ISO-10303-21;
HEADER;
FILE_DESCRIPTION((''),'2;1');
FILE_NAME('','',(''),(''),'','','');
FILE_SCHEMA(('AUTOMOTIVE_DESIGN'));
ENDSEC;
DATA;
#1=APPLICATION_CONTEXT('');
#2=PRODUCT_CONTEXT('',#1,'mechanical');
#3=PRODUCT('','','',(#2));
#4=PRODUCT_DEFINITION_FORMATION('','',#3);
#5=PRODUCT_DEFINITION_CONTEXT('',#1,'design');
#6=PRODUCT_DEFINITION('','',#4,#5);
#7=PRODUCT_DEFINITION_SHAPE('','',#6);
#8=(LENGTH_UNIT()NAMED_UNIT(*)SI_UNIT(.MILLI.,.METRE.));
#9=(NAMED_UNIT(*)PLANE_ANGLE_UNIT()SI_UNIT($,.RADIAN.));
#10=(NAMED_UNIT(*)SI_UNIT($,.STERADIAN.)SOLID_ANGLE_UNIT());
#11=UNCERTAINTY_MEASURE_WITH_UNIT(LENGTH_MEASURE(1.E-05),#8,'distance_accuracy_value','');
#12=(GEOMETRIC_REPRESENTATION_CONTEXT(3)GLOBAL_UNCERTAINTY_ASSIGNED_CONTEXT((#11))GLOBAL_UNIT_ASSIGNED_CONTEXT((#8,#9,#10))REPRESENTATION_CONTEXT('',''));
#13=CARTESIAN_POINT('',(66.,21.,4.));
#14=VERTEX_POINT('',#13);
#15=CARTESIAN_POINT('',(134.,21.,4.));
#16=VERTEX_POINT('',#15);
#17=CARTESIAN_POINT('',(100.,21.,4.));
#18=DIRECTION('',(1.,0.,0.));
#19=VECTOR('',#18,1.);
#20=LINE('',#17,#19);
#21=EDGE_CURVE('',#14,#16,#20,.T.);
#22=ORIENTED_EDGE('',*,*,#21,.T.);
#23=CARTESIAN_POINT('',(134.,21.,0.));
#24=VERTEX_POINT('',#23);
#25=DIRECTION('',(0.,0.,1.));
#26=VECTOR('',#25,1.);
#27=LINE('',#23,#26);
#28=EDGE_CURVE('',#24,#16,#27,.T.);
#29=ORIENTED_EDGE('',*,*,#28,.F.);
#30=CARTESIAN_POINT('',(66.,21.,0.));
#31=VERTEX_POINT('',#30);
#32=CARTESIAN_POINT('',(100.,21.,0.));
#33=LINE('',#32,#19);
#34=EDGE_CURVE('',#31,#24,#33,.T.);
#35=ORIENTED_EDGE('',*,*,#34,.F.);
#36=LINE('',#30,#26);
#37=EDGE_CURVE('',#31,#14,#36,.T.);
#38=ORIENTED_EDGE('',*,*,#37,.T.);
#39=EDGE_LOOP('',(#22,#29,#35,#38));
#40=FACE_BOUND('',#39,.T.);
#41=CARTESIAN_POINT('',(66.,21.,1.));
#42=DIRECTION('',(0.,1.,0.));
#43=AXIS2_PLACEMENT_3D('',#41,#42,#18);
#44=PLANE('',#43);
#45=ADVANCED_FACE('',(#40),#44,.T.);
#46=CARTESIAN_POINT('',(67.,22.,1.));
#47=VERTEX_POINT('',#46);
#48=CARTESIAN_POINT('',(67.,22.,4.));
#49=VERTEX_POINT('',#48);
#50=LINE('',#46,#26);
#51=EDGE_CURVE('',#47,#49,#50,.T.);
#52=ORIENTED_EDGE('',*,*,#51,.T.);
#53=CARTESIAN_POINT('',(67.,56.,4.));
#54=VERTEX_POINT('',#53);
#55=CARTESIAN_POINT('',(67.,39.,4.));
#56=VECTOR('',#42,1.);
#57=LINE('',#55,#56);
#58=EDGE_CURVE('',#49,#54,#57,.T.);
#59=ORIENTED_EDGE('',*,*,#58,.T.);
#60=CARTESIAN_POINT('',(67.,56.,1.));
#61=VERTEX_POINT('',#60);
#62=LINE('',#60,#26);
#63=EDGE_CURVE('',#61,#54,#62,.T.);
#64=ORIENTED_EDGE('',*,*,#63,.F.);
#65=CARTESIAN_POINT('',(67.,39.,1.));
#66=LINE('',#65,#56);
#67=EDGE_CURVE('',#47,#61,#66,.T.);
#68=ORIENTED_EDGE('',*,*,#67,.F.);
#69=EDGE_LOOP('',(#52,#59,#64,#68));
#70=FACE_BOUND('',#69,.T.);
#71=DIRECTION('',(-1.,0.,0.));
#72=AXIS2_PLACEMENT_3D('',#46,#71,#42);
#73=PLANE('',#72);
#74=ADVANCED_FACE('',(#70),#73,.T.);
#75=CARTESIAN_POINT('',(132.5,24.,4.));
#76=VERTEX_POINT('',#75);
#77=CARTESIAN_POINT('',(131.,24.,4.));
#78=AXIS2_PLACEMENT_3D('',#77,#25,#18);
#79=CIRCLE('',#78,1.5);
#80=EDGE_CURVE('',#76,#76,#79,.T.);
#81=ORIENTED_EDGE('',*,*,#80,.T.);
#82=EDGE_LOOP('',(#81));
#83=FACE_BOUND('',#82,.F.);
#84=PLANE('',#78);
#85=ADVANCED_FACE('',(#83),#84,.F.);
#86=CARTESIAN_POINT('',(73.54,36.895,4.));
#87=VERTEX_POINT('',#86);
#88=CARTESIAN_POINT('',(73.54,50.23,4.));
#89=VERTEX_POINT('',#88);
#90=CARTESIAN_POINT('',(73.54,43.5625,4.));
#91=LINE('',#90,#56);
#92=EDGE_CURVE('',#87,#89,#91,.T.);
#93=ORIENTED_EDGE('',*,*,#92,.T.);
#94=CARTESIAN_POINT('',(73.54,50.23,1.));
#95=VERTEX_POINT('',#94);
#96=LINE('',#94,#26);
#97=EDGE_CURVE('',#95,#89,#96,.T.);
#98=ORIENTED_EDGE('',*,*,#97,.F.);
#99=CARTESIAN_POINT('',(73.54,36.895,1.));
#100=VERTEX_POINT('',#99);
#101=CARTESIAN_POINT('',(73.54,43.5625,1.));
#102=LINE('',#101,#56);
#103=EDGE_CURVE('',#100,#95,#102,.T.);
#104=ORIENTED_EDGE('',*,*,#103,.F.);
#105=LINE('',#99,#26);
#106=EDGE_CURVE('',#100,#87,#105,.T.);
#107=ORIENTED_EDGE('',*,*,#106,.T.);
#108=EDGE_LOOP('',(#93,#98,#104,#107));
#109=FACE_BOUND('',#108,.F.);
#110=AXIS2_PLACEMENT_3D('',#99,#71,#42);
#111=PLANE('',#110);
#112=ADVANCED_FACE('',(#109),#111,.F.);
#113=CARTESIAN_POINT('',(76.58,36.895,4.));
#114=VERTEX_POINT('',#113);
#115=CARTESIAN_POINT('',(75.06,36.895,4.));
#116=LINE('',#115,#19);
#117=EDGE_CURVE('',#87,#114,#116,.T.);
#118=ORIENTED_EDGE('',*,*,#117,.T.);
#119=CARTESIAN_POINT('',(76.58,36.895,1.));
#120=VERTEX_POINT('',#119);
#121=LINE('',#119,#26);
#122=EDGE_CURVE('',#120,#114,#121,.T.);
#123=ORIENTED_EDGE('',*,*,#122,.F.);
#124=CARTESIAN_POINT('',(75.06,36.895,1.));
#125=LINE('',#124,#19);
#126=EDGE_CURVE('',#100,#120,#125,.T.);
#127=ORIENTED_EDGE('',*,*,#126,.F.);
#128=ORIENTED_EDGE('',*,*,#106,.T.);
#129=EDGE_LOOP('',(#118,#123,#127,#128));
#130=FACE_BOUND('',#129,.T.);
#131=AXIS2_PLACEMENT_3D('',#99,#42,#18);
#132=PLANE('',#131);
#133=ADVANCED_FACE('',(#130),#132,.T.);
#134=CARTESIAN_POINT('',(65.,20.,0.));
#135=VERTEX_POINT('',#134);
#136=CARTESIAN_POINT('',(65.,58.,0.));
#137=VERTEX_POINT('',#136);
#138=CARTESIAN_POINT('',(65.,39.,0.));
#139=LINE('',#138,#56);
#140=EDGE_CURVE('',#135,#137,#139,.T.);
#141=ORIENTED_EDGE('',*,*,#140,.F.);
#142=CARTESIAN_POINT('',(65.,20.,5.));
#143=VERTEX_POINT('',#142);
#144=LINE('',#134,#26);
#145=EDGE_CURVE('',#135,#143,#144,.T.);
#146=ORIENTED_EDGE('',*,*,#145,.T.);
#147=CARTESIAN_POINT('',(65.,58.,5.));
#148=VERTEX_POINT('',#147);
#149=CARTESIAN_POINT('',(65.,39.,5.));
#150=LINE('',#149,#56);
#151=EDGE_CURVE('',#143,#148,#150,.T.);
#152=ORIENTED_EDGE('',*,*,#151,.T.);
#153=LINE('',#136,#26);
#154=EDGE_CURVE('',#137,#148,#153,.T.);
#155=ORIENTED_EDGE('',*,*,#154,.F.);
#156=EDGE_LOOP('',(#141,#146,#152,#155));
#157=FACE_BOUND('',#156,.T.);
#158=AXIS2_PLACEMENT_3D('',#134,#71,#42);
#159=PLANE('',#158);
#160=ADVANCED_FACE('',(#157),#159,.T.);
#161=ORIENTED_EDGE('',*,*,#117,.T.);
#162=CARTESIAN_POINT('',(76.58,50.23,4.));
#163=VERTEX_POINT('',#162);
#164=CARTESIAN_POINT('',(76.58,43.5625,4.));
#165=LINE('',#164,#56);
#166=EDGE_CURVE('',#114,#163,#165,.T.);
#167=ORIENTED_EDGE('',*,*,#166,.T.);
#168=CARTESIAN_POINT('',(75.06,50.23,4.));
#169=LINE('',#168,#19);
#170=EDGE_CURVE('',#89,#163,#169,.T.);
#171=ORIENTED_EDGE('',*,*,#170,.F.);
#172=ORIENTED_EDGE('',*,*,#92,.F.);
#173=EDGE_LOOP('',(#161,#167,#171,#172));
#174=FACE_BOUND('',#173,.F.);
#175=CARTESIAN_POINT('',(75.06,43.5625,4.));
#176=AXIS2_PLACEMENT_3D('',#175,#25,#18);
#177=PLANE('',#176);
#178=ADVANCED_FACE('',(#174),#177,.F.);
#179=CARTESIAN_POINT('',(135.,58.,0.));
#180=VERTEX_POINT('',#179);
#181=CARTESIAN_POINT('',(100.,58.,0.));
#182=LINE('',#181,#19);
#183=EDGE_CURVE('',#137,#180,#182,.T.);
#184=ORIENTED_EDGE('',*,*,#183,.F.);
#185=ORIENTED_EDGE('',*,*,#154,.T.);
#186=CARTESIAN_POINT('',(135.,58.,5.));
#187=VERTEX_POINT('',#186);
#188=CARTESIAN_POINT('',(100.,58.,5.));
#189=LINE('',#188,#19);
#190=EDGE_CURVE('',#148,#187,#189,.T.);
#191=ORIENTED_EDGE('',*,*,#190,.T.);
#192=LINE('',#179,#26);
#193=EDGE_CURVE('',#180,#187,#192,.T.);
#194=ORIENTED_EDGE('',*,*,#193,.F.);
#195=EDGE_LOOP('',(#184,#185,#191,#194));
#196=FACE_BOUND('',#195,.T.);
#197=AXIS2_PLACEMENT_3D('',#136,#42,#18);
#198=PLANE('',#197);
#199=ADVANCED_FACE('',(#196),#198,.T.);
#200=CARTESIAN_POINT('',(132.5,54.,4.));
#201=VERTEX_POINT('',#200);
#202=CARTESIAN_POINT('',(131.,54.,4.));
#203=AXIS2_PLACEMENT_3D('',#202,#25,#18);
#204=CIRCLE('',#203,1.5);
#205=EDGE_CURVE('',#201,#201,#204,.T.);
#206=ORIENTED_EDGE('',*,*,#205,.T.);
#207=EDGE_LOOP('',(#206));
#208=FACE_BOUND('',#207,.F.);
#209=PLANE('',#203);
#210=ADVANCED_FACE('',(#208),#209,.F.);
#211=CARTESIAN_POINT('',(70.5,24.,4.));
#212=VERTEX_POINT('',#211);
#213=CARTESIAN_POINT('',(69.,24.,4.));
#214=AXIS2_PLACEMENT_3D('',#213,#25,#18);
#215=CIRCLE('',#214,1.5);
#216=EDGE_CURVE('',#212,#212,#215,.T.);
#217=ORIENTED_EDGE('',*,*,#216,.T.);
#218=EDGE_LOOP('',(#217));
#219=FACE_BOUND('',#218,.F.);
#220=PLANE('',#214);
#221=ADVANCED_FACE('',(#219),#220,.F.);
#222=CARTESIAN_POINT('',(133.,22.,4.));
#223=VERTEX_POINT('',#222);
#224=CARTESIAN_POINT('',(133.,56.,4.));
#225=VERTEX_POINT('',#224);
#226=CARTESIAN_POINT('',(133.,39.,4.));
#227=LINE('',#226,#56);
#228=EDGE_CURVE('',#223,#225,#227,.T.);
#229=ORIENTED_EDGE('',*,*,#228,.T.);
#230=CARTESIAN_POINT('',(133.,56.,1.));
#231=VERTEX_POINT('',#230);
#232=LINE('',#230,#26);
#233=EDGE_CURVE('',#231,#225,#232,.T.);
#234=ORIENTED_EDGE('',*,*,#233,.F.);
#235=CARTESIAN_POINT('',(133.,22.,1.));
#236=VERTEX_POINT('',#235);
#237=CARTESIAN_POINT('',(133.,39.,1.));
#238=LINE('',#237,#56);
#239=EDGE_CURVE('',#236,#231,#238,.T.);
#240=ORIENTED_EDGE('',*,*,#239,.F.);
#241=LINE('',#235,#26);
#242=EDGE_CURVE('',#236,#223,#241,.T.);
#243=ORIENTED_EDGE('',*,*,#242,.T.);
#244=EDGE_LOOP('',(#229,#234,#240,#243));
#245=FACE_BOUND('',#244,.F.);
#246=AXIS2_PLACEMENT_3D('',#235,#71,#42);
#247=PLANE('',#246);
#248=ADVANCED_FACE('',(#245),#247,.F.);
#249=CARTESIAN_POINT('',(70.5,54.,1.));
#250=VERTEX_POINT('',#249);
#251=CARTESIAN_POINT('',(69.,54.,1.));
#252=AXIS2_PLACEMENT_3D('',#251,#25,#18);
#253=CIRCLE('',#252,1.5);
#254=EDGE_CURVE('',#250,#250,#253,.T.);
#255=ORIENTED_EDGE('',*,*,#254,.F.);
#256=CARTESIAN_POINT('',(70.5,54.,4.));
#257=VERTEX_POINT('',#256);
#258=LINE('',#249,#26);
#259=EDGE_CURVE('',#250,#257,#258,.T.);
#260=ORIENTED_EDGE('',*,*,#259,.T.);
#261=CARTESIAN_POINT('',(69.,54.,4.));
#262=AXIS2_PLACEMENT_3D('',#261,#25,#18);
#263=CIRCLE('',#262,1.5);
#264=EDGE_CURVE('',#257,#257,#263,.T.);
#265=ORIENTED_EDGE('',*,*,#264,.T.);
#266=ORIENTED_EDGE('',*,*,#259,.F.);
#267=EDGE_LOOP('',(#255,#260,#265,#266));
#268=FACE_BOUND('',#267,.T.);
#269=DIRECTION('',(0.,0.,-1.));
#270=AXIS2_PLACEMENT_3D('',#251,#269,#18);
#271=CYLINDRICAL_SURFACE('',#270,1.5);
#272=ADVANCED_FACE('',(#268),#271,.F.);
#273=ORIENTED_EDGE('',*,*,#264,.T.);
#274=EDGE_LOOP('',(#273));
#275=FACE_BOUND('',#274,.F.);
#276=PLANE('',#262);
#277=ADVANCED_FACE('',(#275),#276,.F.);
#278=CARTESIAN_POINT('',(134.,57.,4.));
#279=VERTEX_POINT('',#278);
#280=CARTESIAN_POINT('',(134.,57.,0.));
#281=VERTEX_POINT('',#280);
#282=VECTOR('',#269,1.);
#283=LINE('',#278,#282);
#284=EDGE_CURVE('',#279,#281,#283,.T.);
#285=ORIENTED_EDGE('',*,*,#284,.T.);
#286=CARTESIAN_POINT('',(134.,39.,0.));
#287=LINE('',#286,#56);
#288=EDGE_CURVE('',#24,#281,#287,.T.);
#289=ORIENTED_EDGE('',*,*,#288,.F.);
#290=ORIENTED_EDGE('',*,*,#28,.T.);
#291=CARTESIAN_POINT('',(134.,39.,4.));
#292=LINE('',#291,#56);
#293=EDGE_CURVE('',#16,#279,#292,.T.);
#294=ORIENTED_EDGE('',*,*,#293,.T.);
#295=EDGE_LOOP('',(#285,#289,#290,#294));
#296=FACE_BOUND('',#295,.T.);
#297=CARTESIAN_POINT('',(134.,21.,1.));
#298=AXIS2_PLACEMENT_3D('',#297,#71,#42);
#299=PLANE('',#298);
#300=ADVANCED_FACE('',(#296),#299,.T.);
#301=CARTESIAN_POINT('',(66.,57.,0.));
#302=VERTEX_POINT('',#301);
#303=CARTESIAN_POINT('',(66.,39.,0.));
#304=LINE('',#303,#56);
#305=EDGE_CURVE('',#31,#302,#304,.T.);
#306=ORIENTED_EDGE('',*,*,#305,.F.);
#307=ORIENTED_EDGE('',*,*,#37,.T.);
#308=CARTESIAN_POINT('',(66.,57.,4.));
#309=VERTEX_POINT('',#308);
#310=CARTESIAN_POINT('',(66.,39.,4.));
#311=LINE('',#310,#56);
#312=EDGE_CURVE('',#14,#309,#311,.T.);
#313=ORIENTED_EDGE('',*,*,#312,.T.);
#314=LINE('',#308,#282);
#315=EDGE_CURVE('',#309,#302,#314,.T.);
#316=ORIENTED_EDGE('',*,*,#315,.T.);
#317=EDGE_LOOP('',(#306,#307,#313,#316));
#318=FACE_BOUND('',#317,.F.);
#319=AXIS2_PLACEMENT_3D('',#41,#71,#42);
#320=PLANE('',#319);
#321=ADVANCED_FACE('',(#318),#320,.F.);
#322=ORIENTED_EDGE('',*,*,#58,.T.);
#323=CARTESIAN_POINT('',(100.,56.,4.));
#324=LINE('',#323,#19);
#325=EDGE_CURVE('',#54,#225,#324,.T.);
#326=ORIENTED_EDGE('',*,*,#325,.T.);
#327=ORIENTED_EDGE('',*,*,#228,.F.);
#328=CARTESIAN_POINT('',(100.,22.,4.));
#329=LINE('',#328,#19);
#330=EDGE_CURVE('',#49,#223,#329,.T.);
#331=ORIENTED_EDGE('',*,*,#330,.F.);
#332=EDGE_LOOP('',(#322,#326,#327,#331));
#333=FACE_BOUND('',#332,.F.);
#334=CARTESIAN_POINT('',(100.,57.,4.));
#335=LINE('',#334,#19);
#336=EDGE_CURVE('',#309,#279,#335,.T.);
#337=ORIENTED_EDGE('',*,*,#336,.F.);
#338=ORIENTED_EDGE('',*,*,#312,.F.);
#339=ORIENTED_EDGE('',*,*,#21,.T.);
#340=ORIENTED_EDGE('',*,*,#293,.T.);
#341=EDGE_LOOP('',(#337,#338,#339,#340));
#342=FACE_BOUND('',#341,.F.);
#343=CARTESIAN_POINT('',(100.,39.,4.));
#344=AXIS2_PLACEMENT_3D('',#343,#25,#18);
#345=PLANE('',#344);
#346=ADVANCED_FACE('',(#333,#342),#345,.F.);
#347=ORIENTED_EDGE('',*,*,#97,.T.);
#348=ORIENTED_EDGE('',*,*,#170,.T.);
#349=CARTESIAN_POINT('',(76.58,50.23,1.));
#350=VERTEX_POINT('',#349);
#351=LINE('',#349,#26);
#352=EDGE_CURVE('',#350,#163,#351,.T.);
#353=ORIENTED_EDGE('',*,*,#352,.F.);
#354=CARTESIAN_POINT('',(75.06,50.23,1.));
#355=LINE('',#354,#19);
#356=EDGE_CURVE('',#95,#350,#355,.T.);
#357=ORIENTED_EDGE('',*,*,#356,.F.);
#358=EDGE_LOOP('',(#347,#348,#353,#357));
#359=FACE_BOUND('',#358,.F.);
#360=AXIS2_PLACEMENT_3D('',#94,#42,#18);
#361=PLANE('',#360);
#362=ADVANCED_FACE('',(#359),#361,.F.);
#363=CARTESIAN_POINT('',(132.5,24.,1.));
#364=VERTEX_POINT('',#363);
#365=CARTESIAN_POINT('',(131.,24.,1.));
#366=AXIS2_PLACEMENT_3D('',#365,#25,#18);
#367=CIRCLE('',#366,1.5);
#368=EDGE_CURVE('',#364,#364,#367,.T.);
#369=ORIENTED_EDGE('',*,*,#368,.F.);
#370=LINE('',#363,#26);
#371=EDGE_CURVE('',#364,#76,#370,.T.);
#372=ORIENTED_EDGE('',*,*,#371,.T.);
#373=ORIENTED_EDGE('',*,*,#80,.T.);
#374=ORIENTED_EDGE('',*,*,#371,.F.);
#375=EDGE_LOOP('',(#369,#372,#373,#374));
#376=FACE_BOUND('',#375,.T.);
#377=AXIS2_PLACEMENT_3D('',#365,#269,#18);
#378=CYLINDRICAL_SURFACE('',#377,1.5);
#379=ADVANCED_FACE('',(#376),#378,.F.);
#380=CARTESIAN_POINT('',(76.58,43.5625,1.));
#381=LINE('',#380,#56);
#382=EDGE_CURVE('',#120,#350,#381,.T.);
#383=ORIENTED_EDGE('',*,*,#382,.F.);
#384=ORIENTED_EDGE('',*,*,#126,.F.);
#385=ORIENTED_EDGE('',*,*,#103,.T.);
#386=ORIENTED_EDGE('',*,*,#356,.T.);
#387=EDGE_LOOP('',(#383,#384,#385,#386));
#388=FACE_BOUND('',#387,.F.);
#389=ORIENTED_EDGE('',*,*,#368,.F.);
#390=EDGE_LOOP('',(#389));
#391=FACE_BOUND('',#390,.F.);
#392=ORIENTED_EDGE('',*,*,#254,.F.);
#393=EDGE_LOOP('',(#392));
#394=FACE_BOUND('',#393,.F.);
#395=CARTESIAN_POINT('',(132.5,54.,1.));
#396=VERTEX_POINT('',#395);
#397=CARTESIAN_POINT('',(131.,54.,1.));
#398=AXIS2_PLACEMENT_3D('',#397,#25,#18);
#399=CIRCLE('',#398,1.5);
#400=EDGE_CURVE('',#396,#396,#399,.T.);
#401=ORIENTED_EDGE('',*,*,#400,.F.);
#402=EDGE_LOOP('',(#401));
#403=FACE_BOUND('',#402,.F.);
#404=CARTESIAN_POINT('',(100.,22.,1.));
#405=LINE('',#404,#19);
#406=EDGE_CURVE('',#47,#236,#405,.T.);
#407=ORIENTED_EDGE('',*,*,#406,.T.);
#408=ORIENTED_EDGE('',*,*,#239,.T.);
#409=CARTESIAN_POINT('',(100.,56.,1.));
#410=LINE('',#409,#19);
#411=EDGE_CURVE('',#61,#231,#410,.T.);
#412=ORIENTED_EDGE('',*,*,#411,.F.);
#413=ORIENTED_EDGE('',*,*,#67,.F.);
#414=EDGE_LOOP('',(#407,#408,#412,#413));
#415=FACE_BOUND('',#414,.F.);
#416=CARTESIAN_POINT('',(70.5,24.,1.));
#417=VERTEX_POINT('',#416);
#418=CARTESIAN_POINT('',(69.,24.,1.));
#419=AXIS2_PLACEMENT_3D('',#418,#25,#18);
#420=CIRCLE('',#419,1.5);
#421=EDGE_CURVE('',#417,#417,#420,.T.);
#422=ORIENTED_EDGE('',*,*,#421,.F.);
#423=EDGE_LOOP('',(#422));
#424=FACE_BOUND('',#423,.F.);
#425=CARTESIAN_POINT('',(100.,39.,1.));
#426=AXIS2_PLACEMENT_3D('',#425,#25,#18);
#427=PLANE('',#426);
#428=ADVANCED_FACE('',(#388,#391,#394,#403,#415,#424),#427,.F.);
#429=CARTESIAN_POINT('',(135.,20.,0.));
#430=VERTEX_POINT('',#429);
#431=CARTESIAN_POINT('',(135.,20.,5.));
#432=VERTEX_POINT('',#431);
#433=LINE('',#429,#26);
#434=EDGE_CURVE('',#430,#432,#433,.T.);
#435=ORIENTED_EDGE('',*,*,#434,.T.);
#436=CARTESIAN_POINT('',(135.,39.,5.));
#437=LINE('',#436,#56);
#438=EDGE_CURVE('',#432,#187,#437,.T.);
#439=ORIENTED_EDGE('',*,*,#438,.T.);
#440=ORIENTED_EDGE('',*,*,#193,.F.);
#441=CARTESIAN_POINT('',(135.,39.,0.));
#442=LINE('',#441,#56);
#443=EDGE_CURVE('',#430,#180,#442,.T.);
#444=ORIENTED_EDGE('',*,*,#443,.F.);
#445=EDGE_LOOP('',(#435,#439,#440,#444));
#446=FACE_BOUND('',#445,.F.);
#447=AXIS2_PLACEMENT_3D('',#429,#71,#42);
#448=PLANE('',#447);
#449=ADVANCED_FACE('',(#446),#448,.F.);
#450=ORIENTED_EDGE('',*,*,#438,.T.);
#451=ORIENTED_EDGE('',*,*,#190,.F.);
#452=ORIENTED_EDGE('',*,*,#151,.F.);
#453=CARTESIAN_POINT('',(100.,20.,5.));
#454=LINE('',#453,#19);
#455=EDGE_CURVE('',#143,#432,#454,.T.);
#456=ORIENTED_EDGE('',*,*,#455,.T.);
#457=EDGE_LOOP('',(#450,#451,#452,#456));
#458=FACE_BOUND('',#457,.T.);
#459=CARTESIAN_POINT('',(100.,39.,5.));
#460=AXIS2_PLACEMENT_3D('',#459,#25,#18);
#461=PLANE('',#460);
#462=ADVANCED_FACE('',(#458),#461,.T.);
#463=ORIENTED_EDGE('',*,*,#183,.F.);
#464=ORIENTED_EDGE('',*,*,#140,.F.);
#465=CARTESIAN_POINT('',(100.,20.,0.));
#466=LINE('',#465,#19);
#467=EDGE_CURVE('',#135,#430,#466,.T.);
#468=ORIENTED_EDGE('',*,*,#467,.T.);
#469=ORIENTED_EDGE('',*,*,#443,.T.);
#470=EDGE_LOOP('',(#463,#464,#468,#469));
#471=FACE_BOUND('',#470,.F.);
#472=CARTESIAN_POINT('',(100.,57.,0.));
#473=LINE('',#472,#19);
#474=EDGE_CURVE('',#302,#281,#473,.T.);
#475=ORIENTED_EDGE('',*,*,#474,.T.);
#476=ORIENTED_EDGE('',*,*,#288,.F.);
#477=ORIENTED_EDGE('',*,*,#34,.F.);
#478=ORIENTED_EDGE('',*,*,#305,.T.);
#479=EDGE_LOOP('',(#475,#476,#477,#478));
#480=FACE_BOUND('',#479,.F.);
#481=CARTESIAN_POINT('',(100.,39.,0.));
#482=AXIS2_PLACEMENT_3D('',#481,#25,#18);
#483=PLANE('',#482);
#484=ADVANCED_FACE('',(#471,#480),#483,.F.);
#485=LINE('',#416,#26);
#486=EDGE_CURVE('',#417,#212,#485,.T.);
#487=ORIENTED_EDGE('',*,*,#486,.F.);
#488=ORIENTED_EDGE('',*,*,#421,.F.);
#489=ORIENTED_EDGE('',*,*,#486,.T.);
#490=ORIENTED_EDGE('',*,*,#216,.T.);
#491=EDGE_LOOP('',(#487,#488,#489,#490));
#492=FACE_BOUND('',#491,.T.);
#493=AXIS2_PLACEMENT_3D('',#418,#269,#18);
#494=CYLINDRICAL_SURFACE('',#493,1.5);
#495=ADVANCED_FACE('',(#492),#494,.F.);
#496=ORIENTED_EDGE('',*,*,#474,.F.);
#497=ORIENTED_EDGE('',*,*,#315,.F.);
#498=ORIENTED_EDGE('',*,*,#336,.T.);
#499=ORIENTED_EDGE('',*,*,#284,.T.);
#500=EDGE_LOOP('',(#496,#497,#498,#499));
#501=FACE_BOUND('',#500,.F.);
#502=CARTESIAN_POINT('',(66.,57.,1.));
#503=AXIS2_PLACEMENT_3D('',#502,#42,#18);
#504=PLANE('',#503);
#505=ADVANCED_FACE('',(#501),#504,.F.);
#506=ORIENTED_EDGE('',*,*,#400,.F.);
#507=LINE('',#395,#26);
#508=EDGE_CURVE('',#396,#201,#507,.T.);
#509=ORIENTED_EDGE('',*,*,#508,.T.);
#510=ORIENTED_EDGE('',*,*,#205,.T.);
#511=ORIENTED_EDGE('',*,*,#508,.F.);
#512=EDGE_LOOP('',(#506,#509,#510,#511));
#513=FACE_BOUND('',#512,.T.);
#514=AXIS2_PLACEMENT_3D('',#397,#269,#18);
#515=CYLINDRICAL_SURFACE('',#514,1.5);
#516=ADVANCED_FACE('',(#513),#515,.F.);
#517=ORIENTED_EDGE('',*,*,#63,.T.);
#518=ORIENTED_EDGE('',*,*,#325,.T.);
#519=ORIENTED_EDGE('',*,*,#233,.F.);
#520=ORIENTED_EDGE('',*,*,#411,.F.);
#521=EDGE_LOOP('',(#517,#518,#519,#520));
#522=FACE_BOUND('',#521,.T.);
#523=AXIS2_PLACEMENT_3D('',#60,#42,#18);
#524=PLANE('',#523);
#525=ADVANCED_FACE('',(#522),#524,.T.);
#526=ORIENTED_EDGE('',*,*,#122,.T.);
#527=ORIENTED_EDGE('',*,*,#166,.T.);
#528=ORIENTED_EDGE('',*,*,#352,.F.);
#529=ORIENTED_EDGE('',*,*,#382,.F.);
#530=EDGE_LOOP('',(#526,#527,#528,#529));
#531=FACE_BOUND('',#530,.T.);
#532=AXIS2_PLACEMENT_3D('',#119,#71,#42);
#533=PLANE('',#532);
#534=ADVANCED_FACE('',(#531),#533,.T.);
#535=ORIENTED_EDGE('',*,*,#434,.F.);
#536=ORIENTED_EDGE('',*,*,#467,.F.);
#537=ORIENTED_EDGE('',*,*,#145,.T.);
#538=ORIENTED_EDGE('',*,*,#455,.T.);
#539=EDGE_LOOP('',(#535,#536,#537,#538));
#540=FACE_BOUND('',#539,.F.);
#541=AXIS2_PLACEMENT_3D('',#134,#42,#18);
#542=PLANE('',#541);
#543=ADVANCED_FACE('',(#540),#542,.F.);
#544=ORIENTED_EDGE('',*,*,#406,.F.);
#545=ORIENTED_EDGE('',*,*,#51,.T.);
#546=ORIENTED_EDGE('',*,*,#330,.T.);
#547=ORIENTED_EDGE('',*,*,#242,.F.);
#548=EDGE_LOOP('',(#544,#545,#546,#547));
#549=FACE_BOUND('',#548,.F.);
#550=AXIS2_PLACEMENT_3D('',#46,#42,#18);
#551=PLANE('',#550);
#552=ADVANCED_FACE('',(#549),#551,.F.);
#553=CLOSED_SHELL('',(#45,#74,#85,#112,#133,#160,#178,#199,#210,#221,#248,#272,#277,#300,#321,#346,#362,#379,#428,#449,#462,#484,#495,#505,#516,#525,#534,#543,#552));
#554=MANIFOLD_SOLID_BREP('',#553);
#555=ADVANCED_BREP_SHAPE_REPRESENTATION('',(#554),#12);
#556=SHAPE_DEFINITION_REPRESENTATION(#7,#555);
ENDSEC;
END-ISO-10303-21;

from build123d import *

# Parameters (mm, degrees)
SKETCH027_W   = 68
SKETCH027_H   = 36
PAD015_DEPTH  = 1
SKETCH028_W   = 68
SKETCH028_H   = 36
SKETCH028_W_2 = 66
SKETCH028_H_2 = 34
PAD016_DEPTH  = 3
SKETCH029_W   = 3.04
SKETCH029_H   = 13.335
PAD017_DEPTH  = 3
SKETCH032_R   = 1.5
PAD020_DEPTH  = 3
BOX_W         = 70
BOX_H         = 38
BOX_DEPTH     = 5


with BuildPart() as topmold:
    # Sketch027 → Pad015 (new body)
    with BuildSketch(Plane.XY):
        Rectangle(SKETCH027_W, SKETCH027_H)
    extrude(amount=PAD015_DEPTH)

    # Sketch028 (on Face6 of Pad015) → Pad016 (join)
    with BuildSketch(Plane.XY.offset(1)):
        Rectangle(SKETCH028_W, SKETCH028_H)
        Rectangle(SKETCH028_W_2, SKETCH028_H_2, mode=Mode.SUBTRACT)
    extrude(amount=PAD016_DEPTH)

    # Sketch029 (on Face15 of Pad016) → Pad017 (join)
    with BuildSketch(Plane.XY.offset(1)):
        with Locations((-24.94, 4.5625)):
            Rectangle(SKETCH029_W, SKETCH029_H)
    extrude(amount=PAD017_DEPTH)

    # Sketch032 (on Face15 of Pad017) → Pad020 (join)
    with BuildSketch(Plane.XY.offset(1)):
        with Locations((-31, 15)):
            Circle(SKETCH032_R)
        with Locations((31, 15)):
            Circle(SKETCH032_R)
        with Locations((-31, -15)):
            Circle(SKETCH032_R)
        with Locations((31, -15)):
            Circle(SKETCH032_R)
    extrude(amount=PAD020_DEPTH)


with BuildPart() as topmold_1:
    # Body005 placement: moved
    add(topmold.part.moved(Location((100, 39, 0))))


with BuildPart() as top_mold:
    # Box → Box (new body)
    with BuildSketch(Plane(origin=(65, 20, 0), x_dir=(1, 0, 0), z_dir=(0, 0, 1))):
        with Locations((35, 19)):
            Rectangle(BOX_W, BOX_H)
    extrude(amount=BOX_DEPTH)

    # Cut: cut TopMold
    add(topmold_1.part, mode=Mode.SUBTRACT)


solid = top_mold.part
